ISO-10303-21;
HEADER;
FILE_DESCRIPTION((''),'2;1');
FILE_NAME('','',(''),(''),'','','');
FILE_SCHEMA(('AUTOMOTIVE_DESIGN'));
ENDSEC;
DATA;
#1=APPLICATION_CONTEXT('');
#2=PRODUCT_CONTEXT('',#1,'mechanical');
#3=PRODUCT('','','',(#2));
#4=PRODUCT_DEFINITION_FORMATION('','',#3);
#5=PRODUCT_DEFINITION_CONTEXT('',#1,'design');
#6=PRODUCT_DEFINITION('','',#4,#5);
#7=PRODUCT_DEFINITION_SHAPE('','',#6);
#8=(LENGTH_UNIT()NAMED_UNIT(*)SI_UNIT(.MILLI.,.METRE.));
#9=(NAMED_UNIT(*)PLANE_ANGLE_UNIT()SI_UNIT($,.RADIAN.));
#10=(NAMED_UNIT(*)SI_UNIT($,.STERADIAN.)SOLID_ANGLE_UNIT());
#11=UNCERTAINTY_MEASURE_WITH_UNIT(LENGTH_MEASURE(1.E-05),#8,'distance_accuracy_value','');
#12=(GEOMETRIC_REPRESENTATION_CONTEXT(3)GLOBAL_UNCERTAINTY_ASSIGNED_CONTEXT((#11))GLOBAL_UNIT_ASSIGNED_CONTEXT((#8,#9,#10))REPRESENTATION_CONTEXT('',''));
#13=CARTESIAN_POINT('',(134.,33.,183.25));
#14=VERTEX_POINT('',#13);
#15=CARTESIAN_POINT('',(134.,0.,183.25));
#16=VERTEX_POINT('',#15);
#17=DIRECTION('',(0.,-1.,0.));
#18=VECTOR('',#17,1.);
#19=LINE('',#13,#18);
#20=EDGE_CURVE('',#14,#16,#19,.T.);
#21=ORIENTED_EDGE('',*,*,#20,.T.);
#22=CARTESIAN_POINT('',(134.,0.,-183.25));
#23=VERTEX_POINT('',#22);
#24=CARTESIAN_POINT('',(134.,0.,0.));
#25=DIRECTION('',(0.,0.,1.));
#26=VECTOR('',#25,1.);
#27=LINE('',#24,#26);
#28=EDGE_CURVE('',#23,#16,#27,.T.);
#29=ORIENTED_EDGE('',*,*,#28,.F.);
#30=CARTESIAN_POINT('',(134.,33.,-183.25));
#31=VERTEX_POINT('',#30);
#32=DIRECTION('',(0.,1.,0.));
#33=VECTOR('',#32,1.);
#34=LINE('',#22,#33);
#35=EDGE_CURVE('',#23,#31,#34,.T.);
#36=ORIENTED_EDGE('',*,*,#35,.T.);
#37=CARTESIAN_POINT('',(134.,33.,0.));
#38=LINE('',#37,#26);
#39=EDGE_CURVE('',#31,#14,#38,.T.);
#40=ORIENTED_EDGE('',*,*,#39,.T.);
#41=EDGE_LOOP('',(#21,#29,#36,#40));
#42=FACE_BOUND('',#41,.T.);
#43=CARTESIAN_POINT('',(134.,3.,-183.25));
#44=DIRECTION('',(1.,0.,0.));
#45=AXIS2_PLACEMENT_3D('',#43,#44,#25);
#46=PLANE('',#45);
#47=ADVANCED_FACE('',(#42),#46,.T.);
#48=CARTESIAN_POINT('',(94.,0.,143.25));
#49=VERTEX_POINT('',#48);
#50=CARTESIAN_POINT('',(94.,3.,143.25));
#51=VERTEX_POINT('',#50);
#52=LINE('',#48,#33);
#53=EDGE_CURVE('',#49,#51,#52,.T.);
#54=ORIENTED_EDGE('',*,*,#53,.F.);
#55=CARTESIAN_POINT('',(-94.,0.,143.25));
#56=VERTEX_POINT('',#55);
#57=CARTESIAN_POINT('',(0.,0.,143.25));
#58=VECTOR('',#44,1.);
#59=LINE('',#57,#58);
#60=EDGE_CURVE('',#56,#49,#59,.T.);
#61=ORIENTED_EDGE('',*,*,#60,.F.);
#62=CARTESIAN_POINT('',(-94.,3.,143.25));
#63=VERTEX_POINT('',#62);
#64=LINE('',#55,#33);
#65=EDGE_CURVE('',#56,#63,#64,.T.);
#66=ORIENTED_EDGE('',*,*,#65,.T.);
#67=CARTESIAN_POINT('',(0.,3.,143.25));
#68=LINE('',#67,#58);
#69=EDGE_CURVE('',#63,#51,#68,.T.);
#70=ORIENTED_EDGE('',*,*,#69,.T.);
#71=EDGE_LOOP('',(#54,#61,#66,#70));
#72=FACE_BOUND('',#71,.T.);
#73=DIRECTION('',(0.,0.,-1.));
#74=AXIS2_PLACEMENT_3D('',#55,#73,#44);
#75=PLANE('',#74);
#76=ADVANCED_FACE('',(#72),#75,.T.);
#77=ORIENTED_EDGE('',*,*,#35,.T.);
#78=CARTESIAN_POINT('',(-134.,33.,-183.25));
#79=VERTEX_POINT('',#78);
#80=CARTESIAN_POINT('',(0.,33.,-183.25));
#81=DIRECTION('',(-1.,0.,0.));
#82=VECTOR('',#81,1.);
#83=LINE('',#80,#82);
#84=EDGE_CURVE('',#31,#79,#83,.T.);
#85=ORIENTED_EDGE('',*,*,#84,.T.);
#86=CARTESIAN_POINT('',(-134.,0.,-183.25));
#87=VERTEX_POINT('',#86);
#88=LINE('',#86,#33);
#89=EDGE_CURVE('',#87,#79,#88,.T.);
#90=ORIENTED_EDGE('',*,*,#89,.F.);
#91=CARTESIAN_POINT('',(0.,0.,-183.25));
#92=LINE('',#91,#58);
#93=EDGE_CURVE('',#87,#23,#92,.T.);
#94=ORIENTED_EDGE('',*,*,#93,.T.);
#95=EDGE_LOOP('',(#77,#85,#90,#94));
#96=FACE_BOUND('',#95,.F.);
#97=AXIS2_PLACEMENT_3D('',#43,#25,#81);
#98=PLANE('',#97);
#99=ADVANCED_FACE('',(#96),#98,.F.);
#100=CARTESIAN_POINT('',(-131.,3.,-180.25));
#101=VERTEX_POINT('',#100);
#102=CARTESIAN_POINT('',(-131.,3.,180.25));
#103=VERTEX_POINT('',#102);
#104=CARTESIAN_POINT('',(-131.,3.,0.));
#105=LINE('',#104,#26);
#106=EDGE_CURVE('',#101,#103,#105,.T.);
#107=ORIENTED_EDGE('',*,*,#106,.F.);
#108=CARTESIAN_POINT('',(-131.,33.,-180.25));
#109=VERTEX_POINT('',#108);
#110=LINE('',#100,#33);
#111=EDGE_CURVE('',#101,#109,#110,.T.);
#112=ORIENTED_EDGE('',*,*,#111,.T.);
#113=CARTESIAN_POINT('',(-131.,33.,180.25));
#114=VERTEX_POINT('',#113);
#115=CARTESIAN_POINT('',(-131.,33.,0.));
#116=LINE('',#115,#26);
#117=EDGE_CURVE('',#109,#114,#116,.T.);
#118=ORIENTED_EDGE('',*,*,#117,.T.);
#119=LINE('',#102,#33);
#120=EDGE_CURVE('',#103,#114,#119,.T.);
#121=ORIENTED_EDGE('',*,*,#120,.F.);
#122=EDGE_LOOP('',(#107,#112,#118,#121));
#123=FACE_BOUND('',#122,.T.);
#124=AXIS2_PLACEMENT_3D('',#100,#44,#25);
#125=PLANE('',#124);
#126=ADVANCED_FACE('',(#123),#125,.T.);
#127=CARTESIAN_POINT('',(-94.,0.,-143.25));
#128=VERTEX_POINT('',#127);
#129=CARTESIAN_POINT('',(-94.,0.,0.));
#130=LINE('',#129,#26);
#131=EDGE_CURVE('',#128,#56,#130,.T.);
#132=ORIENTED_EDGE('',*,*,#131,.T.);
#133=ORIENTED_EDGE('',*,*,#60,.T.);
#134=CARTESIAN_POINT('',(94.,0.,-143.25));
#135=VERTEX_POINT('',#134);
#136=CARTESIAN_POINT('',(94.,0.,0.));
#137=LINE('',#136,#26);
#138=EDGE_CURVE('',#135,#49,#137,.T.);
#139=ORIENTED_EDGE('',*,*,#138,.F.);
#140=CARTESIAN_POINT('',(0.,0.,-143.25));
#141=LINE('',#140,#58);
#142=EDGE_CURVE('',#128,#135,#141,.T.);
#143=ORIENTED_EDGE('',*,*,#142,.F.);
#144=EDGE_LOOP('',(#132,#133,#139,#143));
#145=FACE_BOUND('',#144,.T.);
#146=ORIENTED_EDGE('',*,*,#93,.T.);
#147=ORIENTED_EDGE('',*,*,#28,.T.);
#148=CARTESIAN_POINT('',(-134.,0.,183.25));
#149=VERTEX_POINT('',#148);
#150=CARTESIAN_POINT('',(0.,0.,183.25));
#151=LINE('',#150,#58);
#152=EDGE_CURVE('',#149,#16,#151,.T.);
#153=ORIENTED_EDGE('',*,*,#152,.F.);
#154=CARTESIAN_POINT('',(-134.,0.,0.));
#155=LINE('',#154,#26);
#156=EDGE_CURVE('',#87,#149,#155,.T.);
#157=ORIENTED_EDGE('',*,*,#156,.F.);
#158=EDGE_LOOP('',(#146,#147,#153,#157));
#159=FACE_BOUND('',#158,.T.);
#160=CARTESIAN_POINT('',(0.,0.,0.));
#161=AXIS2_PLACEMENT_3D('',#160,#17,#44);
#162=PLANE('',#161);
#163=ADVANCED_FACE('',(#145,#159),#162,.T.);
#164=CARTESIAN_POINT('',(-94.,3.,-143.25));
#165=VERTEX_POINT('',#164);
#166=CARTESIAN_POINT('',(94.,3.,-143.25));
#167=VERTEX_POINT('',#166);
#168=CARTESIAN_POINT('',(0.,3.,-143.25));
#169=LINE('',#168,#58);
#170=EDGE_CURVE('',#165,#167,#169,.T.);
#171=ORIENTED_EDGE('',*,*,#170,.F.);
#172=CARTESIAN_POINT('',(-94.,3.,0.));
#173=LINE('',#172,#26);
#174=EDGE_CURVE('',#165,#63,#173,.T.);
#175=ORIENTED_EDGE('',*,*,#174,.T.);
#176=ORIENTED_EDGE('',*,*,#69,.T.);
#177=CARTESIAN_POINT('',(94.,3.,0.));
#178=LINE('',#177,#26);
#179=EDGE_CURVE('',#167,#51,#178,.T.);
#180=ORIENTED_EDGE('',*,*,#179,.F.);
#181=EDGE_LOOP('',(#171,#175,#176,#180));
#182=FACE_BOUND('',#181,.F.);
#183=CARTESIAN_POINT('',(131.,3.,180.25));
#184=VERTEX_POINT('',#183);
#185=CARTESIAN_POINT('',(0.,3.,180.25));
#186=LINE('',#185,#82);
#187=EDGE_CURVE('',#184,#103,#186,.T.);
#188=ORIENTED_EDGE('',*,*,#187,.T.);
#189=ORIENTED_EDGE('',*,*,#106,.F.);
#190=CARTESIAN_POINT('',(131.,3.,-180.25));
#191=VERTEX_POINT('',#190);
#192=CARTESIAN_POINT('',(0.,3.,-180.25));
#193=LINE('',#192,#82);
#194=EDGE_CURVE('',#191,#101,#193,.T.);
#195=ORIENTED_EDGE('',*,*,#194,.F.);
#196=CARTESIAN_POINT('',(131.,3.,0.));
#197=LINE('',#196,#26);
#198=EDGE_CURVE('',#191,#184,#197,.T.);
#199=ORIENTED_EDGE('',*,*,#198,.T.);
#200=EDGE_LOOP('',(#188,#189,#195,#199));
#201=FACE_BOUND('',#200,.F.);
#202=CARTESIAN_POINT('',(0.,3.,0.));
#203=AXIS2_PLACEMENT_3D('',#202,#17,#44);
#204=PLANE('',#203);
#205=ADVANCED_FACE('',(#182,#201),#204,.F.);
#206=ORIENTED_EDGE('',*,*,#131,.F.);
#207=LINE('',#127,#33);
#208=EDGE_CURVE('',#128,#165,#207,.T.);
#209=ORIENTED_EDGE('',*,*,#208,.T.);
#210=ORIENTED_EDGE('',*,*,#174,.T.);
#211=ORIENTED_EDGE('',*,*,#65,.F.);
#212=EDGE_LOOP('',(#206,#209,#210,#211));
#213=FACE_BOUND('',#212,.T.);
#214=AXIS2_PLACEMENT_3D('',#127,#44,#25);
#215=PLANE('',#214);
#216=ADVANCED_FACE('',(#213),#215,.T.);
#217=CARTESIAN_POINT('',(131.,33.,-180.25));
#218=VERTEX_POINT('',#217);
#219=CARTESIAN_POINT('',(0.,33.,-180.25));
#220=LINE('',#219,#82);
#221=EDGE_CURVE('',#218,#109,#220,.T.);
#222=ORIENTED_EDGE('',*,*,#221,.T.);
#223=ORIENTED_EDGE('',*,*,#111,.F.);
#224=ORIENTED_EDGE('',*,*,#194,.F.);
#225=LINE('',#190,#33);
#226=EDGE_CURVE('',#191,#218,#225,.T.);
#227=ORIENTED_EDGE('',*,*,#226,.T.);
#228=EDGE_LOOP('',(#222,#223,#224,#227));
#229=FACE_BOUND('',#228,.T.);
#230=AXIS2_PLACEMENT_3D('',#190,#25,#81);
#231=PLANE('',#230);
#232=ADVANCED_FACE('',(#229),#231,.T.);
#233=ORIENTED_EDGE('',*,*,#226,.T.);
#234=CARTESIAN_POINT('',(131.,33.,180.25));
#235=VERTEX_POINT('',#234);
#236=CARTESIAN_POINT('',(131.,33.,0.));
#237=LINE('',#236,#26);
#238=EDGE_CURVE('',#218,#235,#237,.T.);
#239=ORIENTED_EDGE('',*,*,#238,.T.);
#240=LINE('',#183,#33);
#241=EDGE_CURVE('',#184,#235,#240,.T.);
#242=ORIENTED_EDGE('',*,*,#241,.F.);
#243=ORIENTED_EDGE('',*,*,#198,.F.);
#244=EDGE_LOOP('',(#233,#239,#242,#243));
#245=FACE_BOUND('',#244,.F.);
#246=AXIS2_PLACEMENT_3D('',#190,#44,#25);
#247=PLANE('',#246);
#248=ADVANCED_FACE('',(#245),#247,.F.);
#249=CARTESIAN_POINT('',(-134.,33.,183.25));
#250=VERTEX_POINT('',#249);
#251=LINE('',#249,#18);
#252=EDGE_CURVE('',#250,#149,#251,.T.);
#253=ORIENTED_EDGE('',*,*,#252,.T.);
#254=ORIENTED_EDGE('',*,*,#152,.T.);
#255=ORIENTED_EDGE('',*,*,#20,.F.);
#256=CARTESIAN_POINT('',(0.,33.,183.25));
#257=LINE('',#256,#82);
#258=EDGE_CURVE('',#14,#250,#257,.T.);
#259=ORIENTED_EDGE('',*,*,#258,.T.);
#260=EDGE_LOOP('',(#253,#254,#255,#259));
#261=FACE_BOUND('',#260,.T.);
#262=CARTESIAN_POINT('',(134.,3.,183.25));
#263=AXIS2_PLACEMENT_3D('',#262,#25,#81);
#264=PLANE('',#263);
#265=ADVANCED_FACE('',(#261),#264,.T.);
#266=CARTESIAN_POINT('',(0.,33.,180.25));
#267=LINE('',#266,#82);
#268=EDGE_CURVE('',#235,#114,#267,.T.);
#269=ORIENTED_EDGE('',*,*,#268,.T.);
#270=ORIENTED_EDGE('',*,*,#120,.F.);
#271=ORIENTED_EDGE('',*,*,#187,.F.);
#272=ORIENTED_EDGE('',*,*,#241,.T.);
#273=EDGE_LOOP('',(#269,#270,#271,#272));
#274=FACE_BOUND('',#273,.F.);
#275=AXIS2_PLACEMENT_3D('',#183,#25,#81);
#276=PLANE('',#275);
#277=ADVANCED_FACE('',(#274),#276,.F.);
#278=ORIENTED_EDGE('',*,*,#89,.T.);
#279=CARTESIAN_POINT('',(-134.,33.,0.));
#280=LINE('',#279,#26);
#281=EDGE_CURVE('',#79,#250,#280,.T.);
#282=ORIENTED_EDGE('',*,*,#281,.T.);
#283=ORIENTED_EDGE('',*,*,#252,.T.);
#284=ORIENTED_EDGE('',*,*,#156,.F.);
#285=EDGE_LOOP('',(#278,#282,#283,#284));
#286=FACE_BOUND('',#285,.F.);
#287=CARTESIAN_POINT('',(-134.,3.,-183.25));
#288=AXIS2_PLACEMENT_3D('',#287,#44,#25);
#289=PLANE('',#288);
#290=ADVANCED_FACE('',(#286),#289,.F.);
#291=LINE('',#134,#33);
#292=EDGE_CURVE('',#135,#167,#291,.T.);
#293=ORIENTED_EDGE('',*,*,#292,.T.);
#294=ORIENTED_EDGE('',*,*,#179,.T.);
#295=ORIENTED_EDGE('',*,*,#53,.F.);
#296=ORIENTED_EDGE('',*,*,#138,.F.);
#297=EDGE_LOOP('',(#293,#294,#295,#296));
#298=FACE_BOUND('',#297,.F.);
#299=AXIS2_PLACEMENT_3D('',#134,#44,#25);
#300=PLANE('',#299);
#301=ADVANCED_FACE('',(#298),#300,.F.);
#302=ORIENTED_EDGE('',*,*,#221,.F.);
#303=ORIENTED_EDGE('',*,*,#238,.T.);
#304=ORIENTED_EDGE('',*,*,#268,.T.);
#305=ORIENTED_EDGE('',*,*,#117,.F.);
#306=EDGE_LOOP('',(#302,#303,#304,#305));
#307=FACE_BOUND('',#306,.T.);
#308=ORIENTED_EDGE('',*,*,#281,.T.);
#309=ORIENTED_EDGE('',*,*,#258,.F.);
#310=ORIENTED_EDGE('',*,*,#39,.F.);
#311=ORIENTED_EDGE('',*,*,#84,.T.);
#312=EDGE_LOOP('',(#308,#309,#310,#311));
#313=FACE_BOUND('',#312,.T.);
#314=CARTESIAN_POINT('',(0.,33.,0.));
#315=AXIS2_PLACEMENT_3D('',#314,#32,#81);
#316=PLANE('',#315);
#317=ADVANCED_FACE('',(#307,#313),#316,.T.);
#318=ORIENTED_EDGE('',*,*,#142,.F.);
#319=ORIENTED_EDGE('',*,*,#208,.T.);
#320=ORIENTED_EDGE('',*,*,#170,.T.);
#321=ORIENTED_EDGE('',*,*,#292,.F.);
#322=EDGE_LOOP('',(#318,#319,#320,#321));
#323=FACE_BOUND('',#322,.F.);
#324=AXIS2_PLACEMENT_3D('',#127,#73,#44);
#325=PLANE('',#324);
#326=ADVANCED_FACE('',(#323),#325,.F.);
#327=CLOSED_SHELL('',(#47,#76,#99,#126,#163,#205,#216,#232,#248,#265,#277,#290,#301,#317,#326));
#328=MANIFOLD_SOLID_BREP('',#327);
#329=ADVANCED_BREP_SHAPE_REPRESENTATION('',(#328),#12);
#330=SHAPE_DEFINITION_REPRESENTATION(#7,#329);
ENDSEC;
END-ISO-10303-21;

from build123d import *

# Parameters (mm, degrees)
F0_W     = 268
F0_H     = 366.5
F0_W_2   = 188
F0_H_2   = 286.5
F1_DEPTH = 3
F2_W     = 268
F2_H     = 366.5
F2_W_2   = 262
F2_H_2   = 360.5
F3_DEPTH = 30


with BuildPart() as f1:
    # F0 (on Front) → F1 (new body)
    with BuildSketch(Plane.XZ):
        Rectangle(F0_W, F0_H)
        Rectangle(F0_W_2, F0_H_2, mode=Mode.SUBTRACT)
    extrude(amount=-F1_DEPTH)

    # F2 (on face) → F3 (join)
    with BuildSketch(Plane(origin=(0, 3, 0), x_dir=(-1, 0, 0), z_dir=(0, 1, 0))):
        Rectangle(F2_W, F2_H)
        Rectangle(F2_W_2, F2_H_2, mode=Mode.SUBTRACT)
    extrude(amount=F3_DEPTH)


solid = f1.part
